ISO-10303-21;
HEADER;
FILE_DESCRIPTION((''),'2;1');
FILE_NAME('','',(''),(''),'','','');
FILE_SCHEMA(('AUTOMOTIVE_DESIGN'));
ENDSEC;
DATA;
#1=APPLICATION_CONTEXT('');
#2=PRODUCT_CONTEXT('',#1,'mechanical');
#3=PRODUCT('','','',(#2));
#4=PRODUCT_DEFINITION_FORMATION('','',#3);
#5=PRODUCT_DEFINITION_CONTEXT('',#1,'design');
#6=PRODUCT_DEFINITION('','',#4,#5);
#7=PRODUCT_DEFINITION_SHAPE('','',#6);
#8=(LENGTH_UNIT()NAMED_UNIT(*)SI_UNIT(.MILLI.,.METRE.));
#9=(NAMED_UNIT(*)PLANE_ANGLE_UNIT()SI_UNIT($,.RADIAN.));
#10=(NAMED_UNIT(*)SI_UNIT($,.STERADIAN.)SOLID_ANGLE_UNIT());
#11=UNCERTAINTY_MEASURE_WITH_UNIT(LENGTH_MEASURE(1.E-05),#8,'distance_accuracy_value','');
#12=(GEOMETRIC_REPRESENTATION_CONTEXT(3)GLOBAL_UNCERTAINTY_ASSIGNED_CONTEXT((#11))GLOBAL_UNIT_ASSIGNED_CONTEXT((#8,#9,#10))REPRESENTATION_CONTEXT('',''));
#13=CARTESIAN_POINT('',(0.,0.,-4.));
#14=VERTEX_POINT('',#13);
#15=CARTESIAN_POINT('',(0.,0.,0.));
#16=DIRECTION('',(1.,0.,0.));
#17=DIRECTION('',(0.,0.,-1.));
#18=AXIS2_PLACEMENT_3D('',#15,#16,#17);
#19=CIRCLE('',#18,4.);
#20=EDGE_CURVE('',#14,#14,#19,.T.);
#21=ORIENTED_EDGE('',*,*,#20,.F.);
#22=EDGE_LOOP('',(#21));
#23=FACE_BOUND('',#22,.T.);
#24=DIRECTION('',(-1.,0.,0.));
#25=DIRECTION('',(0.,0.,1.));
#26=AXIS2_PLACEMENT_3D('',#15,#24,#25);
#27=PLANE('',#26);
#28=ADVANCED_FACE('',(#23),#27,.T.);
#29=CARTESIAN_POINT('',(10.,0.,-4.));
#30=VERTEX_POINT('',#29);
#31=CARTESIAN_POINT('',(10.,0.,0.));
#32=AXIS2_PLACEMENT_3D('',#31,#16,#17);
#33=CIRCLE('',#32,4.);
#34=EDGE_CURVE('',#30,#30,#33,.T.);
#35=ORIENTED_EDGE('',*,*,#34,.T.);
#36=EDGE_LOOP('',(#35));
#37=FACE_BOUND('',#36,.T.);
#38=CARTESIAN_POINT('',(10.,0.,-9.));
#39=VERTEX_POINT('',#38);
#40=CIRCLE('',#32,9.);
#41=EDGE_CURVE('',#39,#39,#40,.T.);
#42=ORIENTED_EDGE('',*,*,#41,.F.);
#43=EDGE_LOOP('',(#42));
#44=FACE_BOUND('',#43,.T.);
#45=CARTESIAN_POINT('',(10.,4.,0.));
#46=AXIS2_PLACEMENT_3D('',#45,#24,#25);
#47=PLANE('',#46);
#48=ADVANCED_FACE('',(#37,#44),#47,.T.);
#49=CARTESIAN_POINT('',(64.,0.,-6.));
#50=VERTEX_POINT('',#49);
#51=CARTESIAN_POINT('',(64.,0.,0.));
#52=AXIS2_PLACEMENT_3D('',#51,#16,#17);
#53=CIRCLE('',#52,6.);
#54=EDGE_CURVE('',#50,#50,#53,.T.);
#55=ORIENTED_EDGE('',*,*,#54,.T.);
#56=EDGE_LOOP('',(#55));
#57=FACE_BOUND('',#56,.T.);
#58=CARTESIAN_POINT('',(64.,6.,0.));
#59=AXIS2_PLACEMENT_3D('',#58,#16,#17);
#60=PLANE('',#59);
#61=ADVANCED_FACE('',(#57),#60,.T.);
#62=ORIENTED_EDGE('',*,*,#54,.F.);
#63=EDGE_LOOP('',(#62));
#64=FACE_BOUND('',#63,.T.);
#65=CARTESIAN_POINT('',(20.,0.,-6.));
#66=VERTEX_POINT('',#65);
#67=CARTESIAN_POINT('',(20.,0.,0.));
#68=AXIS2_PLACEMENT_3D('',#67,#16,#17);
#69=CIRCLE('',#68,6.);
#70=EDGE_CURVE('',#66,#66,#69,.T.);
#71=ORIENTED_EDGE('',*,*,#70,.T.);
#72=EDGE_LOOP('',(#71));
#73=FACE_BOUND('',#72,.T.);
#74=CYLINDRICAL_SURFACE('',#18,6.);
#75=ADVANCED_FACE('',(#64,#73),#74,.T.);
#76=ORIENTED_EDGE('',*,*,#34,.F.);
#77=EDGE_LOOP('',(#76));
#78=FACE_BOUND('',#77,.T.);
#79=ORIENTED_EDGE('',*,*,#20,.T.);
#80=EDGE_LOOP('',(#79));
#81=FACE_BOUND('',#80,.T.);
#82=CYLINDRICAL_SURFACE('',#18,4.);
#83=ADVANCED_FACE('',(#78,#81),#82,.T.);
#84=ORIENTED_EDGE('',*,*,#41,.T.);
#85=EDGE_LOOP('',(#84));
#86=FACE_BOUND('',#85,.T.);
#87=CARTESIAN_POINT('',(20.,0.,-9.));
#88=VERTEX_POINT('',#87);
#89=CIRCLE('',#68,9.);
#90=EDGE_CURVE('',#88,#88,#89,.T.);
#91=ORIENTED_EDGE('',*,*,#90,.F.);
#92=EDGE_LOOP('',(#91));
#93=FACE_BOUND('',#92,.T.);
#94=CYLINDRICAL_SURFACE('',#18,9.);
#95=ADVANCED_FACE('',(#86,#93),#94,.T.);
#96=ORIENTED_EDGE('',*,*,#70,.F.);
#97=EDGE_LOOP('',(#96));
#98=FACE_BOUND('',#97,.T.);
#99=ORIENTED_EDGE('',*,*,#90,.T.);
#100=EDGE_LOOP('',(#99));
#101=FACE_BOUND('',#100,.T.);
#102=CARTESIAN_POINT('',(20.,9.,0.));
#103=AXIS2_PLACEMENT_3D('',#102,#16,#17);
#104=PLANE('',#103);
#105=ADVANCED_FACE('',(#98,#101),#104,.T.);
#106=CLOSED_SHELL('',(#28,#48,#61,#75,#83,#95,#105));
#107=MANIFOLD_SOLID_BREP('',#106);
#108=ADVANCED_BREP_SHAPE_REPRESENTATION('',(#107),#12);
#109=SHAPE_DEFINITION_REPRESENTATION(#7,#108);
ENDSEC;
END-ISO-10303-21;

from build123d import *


with BuildPart() as part:
    # Sketch1 → Revolve1 (revolve)
    with BuildSketch(Plane.XY, mode=Mode.PRIVATE) as revolve1_sk:
        Polygon((0, 0), (0, 4), (10, 4), (10, 9), (20, 9), (20, 6), (64, 6), (64, 0), align=None)
    revolve(revolve1_sk.sketch.rotate(Axis((0, 0, 0), (-1, 0, 0)), 90), axis=Axis((0, 0, 0), (-1, 0, 0)))


solid = part.part
